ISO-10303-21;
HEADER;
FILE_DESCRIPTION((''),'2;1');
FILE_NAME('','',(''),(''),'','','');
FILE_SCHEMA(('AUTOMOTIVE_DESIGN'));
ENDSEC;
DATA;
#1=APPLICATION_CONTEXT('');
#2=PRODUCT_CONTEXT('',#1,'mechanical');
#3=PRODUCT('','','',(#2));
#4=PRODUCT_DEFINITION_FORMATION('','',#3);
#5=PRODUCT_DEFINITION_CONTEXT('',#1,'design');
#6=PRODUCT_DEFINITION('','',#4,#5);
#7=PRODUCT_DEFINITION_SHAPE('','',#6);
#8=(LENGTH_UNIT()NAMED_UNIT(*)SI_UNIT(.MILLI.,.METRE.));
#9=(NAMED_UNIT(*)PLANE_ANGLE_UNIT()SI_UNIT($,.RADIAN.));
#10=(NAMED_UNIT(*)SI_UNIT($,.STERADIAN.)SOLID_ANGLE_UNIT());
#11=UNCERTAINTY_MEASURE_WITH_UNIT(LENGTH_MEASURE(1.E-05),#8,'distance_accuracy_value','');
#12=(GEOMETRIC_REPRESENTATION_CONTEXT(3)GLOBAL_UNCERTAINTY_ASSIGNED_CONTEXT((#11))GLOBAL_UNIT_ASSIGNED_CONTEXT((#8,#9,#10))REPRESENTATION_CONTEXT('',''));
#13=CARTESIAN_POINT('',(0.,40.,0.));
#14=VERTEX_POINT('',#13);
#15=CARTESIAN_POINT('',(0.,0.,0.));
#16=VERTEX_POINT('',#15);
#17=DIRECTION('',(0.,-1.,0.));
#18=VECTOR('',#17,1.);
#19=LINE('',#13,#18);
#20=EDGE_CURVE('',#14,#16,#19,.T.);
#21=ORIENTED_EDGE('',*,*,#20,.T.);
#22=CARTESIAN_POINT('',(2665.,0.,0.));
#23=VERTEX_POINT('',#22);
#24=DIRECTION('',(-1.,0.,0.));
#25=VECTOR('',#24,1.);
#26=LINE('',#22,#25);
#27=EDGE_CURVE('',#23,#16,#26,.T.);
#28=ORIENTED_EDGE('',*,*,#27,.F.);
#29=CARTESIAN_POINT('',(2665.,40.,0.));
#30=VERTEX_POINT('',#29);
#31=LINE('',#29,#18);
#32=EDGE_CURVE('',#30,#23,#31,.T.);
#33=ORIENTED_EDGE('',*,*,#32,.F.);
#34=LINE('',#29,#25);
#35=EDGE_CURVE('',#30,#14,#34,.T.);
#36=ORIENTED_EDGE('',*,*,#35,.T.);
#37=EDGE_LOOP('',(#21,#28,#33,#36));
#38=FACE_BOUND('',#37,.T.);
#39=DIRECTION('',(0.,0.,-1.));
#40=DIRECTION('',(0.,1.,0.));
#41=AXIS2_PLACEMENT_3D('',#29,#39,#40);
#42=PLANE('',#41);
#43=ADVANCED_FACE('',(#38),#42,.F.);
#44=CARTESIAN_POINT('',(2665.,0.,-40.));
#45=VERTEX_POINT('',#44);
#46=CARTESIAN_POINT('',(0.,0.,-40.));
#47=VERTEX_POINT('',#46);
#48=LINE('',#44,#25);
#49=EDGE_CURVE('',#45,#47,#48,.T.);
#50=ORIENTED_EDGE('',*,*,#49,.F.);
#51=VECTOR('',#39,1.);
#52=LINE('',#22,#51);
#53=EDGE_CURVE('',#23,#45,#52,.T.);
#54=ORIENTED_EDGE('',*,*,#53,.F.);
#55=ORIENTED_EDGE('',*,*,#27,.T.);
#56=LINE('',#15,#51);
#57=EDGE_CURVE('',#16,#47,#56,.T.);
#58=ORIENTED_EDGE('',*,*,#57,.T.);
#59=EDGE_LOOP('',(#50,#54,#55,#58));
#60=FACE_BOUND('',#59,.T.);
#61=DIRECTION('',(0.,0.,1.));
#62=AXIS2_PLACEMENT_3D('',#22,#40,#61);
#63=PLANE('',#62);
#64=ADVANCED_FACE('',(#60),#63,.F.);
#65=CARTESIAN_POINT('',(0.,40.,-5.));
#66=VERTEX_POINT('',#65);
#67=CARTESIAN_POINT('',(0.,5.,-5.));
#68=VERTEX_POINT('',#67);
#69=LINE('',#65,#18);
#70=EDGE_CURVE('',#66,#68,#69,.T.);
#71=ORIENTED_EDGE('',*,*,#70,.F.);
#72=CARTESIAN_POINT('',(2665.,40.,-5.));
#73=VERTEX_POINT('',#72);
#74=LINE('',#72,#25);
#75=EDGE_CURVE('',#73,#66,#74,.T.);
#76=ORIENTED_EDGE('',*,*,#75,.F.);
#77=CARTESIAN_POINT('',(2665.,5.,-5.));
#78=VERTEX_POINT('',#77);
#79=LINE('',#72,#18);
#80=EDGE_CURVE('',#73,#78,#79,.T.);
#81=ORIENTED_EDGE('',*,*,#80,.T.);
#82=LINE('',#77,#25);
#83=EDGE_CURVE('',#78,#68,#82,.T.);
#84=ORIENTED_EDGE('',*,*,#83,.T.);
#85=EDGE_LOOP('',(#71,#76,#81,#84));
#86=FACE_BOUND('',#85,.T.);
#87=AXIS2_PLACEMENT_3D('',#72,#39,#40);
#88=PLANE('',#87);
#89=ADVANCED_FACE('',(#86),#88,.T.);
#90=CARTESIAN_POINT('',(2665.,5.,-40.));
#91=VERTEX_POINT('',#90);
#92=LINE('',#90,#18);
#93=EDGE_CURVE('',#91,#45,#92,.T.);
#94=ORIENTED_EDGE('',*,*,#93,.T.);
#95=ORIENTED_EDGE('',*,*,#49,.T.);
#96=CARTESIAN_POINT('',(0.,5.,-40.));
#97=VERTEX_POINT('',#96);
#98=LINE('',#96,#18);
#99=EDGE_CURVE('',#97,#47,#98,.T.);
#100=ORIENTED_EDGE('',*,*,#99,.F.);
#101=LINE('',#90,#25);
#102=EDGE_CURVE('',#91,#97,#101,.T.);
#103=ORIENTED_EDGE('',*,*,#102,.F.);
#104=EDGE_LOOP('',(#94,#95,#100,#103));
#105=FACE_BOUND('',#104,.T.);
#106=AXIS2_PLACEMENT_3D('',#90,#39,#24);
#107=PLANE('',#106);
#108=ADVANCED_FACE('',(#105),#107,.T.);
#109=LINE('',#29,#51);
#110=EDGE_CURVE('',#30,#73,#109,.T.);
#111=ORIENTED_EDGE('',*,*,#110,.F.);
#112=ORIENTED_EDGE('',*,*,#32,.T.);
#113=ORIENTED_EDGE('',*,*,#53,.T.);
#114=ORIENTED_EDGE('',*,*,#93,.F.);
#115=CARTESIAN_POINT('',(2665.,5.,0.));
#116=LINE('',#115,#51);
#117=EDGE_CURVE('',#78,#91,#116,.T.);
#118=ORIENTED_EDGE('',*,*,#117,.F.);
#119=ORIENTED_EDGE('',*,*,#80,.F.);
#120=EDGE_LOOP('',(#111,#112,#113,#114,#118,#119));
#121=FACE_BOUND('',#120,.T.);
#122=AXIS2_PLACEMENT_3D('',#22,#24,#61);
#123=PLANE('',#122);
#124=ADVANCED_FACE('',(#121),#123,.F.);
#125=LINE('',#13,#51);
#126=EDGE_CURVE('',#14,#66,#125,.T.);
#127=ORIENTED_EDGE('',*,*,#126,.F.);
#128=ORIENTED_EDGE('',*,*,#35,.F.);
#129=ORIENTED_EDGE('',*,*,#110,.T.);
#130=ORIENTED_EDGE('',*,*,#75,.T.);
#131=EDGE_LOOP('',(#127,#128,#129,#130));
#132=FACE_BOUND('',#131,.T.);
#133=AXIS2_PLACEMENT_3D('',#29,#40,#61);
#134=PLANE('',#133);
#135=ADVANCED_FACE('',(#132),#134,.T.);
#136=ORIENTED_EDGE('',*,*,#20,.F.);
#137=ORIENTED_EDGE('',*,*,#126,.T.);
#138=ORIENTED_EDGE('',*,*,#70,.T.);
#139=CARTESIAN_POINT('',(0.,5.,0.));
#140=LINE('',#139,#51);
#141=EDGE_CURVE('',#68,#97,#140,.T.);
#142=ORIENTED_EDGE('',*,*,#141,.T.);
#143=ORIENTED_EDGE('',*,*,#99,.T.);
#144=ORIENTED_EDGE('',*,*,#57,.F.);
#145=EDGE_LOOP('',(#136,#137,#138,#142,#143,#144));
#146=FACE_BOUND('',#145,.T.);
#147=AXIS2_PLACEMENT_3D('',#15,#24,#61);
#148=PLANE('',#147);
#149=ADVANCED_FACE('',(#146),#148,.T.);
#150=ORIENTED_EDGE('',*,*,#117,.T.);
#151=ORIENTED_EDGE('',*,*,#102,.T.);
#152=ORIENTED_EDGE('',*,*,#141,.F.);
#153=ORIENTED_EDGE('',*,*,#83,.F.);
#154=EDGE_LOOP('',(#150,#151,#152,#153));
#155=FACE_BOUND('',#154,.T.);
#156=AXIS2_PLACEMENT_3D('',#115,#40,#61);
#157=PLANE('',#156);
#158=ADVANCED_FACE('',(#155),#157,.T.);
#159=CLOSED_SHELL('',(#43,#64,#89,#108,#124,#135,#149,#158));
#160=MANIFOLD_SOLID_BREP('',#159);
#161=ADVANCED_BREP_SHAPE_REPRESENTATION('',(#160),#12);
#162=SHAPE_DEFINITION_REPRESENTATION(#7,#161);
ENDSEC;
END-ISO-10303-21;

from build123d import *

# Parameters (mm, degrees)
EXTRUDE_1_DEPTH = 2665


with BuildPart() as part:
    # Эскиз1 → Вытянуть-Тонкостенный1 (new body)
    with BuildSketch(Plane(origin=(0, 0, 0), x_dir=(0, 0, -1), z_dir=(1, 0, 0))):
        Polygon((0, 40), (0, 0), (40, 0), (40, 5), (5, 5), (5, 40), align=None)
    extrude(amount=EXTRUDE_1_DEPTH)


solid = part.part
